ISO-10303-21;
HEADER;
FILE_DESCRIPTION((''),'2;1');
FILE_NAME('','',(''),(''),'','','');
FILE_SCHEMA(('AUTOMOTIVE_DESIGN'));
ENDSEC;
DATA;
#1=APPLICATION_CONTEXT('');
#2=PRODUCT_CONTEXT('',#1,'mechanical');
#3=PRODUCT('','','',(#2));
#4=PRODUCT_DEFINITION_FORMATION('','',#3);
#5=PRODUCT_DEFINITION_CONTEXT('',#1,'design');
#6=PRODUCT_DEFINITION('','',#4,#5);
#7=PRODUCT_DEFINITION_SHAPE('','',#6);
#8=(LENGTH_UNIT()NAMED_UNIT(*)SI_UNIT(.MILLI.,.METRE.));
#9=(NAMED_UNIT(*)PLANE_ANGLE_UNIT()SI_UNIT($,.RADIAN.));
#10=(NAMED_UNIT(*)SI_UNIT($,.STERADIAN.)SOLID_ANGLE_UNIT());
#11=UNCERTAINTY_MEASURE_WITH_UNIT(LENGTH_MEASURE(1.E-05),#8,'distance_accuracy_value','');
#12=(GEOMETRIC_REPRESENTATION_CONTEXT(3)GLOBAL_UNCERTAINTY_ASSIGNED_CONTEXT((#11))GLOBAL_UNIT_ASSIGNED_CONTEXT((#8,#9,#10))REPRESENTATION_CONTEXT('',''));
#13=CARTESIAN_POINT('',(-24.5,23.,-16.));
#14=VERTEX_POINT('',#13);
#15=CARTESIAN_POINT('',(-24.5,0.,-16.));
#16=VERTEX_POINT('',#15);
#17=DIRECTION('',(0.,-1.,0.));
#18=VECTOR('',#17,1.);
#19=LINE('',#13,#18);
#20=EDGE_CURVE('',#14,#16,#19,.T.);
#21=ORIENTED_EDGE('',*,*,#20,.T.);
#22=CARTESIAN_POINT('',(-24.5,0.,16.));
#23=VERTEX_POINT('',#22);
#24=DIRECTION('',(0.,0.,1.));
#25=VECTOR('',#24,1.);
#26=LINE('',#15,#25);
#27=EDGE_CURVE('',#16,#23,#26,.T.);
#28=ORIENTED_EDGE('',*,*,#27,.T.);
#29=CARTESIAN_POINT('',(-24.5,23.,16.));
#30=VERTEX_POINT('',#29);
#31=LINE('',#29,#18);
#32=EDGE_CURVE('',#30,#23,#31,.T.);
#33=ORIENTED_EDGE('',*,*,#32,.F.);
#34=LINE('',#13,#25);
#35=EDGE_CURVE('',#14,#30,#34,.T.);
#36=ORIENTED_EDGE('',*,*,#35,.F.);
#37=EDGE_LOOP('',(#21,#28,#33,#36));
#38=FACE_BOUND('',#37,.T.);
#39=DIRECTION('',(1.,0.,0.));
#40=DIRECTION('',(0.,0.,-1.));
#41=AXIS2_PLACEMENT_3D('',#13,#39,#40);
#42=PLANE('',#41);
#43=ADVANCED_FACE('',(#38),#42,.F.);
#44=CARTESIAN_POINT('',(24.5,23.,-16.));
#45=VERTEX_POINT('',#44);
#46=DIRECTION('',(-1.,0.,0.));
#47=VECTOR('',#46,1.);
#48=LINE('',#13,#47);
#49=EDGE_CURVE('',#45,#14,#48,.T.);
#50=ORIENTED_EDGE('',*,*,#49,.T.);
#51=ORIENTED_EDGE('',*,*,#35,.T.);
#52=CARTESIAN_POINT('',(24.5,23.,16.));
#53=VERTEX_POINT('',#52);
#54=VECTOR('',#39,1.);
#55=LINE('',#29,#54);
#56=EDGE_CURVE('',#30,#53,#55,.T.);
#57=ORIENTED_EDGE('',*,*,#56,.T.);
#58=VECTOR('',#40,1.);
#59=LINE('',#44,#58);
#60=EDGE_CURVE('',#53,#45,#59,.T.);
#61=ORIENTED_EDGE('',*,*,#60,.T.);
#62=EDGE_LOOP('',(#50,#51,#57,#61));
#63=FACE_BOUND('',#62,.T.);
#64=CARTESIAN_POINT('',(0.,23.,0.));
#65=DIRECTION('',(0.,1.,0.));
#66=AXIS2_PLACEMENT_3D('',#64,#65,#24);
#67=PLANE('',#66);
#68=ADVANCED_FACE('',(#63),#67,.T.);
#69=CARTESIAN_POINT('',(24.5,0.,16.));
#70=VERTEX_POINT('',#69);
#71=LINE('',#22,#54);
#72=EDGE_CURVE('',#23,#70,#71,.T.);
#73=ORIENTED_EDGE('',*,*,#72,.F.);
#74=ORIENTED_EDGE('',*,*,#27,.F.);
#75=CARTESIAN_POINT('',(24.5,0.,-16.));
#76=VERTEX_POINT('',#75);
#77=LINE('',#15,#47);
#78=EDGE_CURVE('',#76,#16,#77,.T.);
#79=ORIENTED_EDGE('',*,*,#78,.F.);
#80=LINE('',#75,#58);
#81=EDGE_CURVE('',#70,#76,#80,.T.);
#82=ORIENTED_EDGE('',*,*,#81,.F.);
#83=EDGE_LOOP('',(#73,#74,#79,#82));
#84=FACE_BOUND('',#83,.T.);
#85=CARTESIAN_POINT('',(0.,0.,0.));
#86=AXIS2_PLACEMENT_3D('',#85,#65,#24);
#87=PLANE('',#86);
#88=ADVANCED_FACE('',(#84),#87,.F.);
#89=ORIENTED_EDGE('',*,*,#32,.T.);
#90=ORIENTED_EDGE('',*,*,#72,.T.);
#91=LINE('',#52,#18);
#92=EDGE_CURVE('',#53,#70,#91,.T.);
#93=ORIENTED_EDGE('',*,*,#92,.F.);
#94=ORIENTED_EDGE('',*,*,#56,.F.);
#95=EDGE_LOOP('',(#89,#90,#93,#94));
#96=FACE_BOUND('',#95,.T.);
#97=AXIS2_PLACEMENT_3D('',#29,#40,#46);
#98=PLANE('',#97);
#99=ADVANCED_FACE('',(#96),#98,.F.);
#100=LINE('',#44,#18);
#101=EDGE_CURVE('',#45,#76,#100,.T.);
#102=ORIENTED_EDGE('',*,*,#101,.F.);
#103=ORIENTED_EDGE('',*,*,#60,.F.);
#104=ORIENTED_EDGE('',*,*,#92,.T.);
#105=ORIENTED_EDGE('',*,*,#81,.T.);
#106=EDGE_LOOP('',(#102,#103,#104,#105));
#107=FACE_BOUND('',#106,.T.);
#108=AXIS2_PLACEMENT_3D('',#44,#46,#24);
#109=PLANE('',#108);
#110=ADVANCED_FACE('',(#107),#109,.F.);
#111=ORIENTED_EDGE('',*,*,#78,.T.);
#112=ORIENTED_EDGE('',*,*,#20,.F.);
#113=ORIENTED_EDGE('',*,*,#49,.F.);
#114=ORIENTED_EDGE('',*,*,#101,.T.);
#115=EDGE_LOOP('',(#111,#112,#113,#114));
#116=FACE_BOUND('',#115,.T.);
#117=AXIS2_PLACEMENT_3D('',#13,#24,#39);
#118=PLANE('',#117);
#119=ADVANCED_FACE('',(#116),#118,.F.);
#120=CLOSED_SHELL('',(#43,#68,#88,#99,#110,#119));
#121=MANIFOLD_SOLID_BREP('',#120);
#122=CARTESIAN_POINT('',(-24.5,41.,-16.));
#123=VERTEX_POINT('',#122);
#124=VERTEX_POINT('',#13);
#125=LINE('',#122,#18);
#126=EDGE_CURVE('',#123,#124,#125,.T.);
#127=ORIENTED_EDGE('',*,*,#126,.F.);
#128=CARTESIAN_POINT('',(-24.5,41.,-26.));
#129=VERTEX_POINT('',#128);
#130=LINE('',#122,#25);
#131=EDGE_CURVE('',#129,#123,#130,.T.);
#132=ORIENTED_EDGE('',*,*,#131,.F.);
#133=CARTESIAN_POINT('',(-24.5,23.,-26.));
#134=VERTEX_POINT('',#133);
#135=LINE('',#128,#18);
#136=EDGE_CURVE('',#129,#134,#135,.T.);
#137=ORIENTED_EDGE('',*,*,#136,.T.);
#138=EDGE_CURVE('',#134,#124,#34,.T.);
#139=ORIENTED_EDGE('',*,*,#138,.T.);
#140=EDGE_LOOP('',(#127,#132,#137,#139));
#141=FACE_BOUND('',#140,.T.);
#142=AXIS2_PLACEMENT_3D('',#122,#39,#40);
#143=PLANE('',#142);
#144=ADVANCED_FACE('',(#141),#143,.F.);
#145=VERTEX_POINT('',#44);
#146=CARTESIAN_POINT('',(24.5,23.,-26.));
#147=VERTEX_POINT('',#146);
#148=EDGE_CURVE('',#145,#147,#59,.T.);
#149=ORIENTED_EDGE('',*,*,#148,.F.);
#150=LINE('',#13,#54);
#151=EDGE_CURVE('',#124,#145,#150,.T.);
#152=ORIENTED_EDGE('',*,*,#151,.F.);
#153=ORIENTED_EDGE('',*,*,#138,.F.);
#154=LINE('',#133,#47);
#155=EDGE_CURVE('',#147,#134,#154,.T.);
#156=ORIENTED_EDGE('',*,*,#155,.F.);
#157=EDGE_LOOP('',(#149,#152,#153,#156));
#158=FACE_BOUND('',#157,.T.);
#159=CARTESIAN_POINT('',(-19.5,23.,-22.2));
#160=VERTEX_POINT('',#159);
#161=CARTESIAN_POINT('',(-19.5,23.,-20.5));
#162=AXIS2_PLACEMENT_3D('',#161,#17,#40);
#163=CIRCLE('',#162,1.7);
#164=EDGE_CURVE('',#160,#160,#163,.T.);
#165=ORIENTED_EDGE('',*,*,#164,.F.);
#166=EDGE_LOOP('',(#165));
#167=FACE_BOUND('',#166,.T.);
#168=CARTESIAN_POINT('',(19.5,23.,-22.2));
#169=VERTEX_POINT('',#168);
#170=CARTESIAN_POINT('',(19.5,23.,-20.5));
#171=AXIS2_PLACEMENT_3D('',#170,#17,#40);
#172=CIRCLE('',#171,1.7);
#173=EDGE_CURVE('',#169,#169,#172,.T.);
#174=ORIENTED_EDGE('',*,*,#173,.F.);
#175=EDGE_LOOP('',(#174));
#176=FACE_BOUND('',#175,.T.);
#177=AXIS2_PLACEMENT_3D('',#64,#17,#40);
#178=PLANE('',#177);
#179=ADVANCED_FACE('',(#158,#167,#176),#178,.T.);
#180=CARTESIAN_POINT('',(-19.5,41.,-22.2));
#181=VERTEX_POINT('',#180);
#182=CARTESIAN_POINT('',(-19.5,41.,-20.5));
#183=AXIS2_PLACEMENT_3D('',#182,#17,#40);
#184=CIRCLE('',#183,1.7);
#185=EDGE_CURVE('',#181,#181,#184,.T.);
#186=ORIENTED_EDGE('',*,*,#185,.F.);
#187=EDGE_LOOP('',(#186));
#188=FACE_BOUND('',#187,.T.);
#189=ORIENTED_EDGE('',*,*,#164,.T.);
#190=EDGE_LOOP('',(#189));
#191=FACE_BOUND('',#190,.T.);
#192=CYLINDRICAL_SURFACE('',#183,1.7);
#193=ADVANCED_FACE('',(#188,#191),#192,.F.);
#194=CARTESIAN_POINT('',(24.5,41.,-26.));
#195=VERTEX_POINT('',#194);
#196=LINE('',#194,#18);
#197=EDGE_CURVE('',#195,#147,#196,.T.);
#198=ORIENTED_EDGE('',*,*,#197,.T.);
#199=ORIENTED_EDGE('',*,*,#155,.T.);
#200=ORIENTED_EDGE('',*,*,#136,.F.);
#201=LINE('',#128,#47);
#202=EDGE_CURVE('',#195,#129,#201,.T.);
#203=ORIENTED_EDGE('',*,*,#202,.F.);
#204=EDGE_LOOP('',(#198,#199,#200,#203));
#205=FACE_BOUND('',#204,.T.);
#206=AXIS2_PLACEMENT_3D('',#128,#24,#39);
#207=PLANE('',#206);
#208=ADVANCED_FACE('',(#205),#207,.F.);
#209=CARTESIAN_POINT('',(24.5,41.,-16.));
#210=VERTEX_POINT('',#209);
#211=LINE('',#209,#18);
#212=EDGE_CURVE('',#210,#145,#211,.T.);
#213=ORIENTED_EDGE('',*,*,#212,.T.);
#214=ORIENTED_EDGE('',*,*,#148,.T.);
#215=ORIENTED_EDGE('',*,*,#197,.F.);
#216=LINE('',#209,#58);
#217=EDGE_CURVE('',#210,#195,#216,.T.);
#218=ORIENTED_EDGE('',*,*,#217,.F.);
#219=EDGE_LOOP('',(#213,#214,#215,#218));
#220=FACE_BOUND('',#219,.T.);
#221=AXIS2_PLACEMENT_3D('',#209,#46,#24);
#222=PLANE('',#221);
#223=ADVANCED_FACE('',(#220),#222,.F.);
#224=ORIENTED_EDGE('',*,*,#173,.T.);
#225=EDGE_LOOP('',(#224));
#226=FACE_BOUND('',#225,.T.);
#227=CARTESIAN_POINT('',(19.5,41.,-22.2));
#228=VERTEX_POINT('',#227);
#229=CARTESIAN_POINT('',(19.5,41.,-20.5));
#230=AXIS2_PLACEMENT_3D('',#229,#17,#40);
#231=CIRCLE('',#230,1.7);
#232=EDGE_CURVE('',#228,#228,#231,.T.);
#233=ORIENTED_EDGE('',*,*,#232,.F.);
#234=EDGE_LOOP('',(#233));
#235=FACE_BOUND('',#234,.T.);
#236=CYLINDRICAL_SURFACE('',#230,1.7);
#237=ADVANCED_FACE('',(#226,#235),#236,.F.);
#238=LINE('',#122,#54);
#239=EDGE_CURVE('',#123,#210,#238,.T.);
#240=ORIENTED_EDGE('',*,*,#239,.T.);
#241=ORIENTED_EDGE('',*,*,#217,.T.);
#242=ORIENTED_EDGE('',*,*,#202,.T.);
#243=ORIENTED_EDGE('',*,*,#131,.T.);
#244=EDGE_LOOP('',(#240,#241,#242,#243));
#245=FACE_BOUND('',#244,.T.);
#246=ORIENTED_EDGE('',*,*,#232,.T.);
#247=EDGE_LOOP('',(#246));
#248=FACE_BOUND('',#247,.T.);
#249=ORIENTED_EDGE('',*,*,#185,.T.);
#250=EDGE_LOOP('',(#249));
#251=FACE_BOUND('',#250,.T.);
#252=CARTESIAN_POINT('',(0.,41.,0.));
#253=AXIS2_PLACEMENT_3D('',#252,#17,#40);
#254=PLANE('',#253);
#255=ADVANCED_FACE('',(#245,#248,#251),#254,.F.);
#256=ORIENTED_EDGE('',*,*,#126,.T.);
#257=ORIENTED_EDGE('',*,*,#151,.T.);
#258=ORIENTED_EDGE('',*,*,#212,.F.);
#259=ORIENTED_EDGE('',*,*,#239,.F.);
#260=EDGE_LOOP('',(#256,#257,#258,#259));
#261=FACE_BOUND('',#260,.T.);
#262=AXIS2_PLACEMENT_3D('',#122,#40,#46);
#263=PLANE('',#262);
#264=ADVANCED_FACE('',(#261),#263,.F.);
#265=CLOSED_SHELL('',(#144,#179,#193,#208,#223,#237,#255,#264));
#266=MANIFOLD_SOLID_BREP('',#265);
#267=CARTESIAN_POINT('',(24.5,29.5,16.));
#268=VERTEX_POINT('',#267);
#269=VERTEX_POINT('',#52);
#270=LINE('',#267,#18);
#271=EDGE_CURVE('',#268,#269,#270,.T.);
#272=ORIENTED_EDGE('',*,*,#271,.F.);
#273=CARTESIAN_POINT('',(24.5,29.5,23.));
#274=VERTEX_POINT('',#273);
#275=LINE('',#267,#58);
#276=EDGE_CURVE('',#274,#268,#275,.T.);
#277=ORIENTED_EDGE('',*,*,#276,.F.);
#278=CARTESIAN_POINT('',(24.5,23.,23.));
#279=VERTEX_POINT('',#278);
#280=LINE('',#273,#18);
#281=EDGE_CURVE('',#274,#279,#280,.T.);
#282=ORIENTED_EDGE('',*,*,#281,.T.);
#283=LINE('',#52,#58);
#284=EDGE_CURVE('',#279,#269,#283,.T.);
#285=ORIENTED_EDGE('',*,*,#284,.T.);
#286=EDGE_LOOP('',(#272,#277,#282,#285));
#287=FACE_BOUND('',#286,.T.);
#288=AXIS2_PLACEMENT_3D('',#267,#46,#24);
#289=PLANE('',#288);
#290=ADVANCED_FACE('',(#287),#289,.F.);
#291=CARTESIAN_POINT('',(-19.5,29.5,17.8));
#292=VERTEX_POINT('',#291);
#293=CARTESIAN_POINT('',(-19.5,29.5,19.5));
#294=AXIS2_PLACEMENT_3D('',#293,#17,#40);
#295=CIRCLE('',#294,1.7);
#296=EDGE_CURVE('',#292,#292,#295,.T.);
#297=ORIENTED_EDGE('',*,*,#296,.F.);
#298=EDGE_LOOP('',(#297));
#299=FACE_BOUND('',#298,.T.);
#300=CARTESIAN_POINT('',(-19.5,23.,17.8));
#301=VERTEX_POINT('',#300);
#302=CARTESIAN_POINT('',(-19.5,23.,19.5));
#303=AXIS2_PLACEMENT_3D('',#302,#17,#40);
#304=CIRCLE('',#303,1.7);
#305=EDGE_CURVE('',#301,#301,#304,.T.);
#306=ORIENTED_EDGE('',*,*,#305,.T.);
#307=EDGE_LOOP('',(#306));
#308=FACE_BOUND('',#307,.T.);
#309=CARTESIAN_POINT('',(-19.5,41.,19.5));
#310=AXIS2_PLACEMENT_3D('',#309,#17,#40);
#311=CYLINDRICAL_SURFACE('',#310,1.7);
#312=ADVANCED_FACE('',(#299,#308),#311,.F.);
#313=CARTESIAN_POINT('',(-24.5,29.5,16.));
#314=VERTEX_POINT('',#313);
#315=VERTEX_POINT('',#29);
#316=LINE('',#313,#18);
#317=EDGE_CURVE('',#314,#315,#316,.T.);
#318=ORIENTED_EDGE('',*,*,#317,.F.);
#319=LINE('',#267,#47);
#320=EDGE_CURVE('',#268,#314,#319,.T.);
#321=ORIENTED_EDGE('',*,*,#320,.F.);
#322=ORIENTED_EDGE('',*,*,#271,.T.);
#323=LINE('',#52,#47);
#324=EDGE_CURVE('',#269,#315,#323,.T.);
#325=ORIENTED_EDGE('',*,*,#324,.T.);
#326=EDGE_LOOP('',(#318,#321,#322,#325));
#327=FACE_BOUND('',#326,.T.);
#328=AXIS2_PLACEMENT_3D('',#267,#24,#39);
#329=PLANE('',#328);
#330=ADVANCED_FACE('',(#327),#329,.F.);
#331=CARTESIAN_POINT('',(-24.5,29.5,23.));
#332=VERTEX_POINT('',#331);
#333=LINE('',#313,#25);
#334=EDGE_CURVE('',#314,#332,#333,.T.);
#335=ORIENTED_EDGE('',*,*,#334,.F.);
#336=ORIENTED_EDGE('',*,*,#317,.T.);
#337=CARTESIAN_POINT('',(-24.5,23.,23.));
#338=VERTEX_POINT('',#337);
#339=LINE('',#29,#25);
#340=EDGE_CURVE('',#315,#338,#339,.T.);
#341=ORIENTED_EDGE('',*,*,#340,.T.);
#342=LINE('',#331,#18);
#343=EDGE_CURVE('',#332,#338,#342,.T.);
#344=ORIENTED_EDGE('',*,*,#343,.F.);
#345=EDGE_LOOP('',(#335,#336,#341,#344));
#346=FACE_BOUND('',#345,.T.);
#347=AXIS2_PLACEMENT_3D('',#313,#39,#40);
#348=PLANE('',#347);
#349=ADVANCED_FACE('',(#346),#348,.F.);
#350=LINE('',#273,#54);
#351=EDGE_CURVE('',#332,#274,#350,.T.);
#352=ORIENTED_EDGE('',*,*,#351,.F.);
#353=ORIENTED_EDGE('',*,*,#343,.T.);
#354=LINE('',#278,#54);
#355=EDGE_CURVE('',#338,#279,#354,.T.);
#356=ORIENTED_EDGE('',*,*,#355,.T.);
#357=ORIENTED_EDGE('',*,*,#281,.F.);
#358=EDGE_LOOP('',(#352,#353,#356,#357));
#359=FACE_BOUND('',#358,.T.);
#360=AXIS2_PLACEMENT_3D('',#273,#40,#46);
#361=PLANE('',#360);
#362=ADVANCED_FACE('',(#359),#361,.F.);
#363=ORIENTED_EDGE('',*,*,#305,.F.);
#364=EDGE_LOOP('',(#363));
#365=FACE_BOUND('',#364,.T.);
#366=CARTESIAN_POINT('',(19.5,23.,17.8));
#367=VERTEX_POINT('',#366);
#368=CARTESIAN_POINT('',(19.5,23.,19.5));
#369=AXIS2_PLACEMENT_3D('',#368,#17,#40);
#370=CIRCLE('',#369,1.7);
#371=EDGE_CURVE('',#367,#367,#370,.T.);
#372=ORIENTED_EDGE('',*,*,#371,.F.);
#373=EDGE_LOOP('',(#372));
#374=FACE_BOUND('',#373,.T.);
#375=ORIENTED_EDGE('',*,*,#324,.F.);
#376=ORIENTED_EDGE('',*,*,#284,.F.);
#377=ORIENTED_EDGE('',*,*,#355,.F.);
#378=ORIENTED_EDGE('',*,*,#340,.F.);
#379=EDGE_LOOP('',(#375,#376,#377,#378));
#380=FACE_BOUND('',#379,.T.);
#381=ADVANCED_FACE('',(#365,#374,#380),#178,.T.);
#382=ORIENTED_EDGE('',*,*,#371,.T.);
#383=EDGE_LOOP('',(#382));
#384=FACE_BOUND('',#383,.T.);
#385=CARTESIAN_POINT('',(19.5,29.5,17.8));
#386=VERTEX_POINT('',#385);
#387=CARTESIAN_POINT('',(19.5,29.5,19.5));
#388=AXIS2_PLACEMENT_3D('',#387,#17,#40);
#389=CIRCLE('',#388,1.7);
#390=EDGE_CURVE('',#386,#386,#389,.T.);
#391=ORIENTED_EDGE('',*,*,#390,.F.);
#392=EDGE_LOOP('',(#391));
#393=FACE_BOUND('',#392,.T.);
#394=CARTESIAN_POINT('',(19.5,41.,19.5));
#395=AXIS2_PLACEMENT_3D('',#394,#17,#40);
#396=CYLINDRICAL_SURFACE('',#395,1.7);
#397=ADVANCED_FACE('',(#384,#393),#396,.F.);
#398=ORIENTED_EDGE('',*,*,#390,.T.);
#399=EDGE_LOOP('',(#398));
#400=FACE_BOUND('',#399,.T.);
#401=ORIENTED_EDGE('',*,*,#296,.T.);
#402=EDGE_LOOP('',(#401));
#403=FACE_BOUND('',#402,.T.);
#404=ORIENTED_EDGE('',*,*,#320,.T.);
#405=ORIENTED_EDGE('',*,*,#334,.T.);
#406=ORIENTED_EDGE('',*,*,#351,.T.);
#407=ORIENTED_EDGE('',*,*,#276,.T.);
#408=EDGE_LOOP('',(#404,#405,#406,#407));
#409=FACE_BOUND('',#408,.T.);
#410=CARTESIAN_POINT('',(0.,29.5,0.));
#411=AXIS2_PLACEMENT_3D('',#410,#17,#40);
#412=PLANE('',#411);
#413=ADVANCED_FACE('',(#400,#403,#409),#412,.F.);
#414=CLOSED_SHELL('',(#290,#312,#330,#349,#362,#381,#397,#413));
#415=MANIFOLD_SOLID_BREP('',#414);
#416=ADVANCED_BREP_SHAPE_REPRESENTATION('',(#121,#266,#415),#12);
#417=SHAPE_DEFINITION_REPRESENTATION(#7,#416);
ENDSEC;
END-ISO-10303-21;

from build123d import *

# Parameters (mm, degrees)
SKETCH_1_W          = 49
SKETCH_1_H          = 32
EXTRUDE_1_DEPTH     = 23
SKETCH_7_W          = 49
SKETCH_7_H          = 7
EXTRUDE_4_DEPTH     = 6.5
SKETCH_8_W          = 49
SKETCH_8_H          = 10
EXTRUDE_5_DEPTH     = 18
SKETCH_10_R         = 1.7
CUT_EXTRUDE_1_DEPTH = 19
SKETCH_11_R         = 1.7
CUT_EXTRUDE_2_DEPTH = 19


with BuildPart() as part:
    # 草圖1 → 填料-伸長1 (new body)
    with BuildSketch(Plane(origin=(0, 0, 0), x_dir=(1, 0, 0), z_dir=(0, 1, 0))):
        Rectangle(SKETCH_1_W, SKETCH_1_H)
    extrude(amount=EXTRUDE_1_DEPTH)


with BuildPart() as body_2:
    # 草圖7 → 填料-伸長4 (new body)
    with BuildSketch(Plane(origin=(0, 23, 0), x_dir=(1, 0, 0), z_dir=(0, 1, 0))):
        with Locations((0, -19.5)):
            Rectangle(SKETCH_7_W, SKETCH_7_H)
    extrude(amount=EXTRUDE_4_DEPTH)

    # 草圖11 → 除料-伸長2 (cut, through all)
    with BuildSketch(Plane.XZ.offset(-23)):
        with Locations((19.5, 19.5)):
            Circle(SKETCH_11_R)
        with Locations((-19.5, 19.5)):
            Circle(SKETCH_11_R)
    extrude(amount=-CUT_EXTRUDE_2_DEPTH, mode=Mode.SUBTRACT)


with BuildPart() as body_3:
    # 草圖8 → 填料-伸長5 (new body)
    with BuildSketch(Plane(origin=(0, 23, 0), x_dir=(1, 0, 0), z_dir=(0, 1, 0))):
        with Locations((0, 21)):
            Rectangle(SKETCH_8_W, SKETCH_8_H)
    extrude(amount=EXTRUDE_5_DEPTH)

    # 草圖10 → 除料-伸長1 (cut, through all)
    with BuildSketch(Plane.XZ.offset(-23)):
        with Locations((-19.5, -20.5)):
            Circle(SKETCH_10_R)
        with Locations((19.5, -20.5)):
            Circle(SKETCH_10_R)
    extrude(amount=-CUT_EXTRUDE_1_DEPTH, mode=Mode.SUBTRACT)


solid = Compound([part.part, body_2.part, body_3.part])
